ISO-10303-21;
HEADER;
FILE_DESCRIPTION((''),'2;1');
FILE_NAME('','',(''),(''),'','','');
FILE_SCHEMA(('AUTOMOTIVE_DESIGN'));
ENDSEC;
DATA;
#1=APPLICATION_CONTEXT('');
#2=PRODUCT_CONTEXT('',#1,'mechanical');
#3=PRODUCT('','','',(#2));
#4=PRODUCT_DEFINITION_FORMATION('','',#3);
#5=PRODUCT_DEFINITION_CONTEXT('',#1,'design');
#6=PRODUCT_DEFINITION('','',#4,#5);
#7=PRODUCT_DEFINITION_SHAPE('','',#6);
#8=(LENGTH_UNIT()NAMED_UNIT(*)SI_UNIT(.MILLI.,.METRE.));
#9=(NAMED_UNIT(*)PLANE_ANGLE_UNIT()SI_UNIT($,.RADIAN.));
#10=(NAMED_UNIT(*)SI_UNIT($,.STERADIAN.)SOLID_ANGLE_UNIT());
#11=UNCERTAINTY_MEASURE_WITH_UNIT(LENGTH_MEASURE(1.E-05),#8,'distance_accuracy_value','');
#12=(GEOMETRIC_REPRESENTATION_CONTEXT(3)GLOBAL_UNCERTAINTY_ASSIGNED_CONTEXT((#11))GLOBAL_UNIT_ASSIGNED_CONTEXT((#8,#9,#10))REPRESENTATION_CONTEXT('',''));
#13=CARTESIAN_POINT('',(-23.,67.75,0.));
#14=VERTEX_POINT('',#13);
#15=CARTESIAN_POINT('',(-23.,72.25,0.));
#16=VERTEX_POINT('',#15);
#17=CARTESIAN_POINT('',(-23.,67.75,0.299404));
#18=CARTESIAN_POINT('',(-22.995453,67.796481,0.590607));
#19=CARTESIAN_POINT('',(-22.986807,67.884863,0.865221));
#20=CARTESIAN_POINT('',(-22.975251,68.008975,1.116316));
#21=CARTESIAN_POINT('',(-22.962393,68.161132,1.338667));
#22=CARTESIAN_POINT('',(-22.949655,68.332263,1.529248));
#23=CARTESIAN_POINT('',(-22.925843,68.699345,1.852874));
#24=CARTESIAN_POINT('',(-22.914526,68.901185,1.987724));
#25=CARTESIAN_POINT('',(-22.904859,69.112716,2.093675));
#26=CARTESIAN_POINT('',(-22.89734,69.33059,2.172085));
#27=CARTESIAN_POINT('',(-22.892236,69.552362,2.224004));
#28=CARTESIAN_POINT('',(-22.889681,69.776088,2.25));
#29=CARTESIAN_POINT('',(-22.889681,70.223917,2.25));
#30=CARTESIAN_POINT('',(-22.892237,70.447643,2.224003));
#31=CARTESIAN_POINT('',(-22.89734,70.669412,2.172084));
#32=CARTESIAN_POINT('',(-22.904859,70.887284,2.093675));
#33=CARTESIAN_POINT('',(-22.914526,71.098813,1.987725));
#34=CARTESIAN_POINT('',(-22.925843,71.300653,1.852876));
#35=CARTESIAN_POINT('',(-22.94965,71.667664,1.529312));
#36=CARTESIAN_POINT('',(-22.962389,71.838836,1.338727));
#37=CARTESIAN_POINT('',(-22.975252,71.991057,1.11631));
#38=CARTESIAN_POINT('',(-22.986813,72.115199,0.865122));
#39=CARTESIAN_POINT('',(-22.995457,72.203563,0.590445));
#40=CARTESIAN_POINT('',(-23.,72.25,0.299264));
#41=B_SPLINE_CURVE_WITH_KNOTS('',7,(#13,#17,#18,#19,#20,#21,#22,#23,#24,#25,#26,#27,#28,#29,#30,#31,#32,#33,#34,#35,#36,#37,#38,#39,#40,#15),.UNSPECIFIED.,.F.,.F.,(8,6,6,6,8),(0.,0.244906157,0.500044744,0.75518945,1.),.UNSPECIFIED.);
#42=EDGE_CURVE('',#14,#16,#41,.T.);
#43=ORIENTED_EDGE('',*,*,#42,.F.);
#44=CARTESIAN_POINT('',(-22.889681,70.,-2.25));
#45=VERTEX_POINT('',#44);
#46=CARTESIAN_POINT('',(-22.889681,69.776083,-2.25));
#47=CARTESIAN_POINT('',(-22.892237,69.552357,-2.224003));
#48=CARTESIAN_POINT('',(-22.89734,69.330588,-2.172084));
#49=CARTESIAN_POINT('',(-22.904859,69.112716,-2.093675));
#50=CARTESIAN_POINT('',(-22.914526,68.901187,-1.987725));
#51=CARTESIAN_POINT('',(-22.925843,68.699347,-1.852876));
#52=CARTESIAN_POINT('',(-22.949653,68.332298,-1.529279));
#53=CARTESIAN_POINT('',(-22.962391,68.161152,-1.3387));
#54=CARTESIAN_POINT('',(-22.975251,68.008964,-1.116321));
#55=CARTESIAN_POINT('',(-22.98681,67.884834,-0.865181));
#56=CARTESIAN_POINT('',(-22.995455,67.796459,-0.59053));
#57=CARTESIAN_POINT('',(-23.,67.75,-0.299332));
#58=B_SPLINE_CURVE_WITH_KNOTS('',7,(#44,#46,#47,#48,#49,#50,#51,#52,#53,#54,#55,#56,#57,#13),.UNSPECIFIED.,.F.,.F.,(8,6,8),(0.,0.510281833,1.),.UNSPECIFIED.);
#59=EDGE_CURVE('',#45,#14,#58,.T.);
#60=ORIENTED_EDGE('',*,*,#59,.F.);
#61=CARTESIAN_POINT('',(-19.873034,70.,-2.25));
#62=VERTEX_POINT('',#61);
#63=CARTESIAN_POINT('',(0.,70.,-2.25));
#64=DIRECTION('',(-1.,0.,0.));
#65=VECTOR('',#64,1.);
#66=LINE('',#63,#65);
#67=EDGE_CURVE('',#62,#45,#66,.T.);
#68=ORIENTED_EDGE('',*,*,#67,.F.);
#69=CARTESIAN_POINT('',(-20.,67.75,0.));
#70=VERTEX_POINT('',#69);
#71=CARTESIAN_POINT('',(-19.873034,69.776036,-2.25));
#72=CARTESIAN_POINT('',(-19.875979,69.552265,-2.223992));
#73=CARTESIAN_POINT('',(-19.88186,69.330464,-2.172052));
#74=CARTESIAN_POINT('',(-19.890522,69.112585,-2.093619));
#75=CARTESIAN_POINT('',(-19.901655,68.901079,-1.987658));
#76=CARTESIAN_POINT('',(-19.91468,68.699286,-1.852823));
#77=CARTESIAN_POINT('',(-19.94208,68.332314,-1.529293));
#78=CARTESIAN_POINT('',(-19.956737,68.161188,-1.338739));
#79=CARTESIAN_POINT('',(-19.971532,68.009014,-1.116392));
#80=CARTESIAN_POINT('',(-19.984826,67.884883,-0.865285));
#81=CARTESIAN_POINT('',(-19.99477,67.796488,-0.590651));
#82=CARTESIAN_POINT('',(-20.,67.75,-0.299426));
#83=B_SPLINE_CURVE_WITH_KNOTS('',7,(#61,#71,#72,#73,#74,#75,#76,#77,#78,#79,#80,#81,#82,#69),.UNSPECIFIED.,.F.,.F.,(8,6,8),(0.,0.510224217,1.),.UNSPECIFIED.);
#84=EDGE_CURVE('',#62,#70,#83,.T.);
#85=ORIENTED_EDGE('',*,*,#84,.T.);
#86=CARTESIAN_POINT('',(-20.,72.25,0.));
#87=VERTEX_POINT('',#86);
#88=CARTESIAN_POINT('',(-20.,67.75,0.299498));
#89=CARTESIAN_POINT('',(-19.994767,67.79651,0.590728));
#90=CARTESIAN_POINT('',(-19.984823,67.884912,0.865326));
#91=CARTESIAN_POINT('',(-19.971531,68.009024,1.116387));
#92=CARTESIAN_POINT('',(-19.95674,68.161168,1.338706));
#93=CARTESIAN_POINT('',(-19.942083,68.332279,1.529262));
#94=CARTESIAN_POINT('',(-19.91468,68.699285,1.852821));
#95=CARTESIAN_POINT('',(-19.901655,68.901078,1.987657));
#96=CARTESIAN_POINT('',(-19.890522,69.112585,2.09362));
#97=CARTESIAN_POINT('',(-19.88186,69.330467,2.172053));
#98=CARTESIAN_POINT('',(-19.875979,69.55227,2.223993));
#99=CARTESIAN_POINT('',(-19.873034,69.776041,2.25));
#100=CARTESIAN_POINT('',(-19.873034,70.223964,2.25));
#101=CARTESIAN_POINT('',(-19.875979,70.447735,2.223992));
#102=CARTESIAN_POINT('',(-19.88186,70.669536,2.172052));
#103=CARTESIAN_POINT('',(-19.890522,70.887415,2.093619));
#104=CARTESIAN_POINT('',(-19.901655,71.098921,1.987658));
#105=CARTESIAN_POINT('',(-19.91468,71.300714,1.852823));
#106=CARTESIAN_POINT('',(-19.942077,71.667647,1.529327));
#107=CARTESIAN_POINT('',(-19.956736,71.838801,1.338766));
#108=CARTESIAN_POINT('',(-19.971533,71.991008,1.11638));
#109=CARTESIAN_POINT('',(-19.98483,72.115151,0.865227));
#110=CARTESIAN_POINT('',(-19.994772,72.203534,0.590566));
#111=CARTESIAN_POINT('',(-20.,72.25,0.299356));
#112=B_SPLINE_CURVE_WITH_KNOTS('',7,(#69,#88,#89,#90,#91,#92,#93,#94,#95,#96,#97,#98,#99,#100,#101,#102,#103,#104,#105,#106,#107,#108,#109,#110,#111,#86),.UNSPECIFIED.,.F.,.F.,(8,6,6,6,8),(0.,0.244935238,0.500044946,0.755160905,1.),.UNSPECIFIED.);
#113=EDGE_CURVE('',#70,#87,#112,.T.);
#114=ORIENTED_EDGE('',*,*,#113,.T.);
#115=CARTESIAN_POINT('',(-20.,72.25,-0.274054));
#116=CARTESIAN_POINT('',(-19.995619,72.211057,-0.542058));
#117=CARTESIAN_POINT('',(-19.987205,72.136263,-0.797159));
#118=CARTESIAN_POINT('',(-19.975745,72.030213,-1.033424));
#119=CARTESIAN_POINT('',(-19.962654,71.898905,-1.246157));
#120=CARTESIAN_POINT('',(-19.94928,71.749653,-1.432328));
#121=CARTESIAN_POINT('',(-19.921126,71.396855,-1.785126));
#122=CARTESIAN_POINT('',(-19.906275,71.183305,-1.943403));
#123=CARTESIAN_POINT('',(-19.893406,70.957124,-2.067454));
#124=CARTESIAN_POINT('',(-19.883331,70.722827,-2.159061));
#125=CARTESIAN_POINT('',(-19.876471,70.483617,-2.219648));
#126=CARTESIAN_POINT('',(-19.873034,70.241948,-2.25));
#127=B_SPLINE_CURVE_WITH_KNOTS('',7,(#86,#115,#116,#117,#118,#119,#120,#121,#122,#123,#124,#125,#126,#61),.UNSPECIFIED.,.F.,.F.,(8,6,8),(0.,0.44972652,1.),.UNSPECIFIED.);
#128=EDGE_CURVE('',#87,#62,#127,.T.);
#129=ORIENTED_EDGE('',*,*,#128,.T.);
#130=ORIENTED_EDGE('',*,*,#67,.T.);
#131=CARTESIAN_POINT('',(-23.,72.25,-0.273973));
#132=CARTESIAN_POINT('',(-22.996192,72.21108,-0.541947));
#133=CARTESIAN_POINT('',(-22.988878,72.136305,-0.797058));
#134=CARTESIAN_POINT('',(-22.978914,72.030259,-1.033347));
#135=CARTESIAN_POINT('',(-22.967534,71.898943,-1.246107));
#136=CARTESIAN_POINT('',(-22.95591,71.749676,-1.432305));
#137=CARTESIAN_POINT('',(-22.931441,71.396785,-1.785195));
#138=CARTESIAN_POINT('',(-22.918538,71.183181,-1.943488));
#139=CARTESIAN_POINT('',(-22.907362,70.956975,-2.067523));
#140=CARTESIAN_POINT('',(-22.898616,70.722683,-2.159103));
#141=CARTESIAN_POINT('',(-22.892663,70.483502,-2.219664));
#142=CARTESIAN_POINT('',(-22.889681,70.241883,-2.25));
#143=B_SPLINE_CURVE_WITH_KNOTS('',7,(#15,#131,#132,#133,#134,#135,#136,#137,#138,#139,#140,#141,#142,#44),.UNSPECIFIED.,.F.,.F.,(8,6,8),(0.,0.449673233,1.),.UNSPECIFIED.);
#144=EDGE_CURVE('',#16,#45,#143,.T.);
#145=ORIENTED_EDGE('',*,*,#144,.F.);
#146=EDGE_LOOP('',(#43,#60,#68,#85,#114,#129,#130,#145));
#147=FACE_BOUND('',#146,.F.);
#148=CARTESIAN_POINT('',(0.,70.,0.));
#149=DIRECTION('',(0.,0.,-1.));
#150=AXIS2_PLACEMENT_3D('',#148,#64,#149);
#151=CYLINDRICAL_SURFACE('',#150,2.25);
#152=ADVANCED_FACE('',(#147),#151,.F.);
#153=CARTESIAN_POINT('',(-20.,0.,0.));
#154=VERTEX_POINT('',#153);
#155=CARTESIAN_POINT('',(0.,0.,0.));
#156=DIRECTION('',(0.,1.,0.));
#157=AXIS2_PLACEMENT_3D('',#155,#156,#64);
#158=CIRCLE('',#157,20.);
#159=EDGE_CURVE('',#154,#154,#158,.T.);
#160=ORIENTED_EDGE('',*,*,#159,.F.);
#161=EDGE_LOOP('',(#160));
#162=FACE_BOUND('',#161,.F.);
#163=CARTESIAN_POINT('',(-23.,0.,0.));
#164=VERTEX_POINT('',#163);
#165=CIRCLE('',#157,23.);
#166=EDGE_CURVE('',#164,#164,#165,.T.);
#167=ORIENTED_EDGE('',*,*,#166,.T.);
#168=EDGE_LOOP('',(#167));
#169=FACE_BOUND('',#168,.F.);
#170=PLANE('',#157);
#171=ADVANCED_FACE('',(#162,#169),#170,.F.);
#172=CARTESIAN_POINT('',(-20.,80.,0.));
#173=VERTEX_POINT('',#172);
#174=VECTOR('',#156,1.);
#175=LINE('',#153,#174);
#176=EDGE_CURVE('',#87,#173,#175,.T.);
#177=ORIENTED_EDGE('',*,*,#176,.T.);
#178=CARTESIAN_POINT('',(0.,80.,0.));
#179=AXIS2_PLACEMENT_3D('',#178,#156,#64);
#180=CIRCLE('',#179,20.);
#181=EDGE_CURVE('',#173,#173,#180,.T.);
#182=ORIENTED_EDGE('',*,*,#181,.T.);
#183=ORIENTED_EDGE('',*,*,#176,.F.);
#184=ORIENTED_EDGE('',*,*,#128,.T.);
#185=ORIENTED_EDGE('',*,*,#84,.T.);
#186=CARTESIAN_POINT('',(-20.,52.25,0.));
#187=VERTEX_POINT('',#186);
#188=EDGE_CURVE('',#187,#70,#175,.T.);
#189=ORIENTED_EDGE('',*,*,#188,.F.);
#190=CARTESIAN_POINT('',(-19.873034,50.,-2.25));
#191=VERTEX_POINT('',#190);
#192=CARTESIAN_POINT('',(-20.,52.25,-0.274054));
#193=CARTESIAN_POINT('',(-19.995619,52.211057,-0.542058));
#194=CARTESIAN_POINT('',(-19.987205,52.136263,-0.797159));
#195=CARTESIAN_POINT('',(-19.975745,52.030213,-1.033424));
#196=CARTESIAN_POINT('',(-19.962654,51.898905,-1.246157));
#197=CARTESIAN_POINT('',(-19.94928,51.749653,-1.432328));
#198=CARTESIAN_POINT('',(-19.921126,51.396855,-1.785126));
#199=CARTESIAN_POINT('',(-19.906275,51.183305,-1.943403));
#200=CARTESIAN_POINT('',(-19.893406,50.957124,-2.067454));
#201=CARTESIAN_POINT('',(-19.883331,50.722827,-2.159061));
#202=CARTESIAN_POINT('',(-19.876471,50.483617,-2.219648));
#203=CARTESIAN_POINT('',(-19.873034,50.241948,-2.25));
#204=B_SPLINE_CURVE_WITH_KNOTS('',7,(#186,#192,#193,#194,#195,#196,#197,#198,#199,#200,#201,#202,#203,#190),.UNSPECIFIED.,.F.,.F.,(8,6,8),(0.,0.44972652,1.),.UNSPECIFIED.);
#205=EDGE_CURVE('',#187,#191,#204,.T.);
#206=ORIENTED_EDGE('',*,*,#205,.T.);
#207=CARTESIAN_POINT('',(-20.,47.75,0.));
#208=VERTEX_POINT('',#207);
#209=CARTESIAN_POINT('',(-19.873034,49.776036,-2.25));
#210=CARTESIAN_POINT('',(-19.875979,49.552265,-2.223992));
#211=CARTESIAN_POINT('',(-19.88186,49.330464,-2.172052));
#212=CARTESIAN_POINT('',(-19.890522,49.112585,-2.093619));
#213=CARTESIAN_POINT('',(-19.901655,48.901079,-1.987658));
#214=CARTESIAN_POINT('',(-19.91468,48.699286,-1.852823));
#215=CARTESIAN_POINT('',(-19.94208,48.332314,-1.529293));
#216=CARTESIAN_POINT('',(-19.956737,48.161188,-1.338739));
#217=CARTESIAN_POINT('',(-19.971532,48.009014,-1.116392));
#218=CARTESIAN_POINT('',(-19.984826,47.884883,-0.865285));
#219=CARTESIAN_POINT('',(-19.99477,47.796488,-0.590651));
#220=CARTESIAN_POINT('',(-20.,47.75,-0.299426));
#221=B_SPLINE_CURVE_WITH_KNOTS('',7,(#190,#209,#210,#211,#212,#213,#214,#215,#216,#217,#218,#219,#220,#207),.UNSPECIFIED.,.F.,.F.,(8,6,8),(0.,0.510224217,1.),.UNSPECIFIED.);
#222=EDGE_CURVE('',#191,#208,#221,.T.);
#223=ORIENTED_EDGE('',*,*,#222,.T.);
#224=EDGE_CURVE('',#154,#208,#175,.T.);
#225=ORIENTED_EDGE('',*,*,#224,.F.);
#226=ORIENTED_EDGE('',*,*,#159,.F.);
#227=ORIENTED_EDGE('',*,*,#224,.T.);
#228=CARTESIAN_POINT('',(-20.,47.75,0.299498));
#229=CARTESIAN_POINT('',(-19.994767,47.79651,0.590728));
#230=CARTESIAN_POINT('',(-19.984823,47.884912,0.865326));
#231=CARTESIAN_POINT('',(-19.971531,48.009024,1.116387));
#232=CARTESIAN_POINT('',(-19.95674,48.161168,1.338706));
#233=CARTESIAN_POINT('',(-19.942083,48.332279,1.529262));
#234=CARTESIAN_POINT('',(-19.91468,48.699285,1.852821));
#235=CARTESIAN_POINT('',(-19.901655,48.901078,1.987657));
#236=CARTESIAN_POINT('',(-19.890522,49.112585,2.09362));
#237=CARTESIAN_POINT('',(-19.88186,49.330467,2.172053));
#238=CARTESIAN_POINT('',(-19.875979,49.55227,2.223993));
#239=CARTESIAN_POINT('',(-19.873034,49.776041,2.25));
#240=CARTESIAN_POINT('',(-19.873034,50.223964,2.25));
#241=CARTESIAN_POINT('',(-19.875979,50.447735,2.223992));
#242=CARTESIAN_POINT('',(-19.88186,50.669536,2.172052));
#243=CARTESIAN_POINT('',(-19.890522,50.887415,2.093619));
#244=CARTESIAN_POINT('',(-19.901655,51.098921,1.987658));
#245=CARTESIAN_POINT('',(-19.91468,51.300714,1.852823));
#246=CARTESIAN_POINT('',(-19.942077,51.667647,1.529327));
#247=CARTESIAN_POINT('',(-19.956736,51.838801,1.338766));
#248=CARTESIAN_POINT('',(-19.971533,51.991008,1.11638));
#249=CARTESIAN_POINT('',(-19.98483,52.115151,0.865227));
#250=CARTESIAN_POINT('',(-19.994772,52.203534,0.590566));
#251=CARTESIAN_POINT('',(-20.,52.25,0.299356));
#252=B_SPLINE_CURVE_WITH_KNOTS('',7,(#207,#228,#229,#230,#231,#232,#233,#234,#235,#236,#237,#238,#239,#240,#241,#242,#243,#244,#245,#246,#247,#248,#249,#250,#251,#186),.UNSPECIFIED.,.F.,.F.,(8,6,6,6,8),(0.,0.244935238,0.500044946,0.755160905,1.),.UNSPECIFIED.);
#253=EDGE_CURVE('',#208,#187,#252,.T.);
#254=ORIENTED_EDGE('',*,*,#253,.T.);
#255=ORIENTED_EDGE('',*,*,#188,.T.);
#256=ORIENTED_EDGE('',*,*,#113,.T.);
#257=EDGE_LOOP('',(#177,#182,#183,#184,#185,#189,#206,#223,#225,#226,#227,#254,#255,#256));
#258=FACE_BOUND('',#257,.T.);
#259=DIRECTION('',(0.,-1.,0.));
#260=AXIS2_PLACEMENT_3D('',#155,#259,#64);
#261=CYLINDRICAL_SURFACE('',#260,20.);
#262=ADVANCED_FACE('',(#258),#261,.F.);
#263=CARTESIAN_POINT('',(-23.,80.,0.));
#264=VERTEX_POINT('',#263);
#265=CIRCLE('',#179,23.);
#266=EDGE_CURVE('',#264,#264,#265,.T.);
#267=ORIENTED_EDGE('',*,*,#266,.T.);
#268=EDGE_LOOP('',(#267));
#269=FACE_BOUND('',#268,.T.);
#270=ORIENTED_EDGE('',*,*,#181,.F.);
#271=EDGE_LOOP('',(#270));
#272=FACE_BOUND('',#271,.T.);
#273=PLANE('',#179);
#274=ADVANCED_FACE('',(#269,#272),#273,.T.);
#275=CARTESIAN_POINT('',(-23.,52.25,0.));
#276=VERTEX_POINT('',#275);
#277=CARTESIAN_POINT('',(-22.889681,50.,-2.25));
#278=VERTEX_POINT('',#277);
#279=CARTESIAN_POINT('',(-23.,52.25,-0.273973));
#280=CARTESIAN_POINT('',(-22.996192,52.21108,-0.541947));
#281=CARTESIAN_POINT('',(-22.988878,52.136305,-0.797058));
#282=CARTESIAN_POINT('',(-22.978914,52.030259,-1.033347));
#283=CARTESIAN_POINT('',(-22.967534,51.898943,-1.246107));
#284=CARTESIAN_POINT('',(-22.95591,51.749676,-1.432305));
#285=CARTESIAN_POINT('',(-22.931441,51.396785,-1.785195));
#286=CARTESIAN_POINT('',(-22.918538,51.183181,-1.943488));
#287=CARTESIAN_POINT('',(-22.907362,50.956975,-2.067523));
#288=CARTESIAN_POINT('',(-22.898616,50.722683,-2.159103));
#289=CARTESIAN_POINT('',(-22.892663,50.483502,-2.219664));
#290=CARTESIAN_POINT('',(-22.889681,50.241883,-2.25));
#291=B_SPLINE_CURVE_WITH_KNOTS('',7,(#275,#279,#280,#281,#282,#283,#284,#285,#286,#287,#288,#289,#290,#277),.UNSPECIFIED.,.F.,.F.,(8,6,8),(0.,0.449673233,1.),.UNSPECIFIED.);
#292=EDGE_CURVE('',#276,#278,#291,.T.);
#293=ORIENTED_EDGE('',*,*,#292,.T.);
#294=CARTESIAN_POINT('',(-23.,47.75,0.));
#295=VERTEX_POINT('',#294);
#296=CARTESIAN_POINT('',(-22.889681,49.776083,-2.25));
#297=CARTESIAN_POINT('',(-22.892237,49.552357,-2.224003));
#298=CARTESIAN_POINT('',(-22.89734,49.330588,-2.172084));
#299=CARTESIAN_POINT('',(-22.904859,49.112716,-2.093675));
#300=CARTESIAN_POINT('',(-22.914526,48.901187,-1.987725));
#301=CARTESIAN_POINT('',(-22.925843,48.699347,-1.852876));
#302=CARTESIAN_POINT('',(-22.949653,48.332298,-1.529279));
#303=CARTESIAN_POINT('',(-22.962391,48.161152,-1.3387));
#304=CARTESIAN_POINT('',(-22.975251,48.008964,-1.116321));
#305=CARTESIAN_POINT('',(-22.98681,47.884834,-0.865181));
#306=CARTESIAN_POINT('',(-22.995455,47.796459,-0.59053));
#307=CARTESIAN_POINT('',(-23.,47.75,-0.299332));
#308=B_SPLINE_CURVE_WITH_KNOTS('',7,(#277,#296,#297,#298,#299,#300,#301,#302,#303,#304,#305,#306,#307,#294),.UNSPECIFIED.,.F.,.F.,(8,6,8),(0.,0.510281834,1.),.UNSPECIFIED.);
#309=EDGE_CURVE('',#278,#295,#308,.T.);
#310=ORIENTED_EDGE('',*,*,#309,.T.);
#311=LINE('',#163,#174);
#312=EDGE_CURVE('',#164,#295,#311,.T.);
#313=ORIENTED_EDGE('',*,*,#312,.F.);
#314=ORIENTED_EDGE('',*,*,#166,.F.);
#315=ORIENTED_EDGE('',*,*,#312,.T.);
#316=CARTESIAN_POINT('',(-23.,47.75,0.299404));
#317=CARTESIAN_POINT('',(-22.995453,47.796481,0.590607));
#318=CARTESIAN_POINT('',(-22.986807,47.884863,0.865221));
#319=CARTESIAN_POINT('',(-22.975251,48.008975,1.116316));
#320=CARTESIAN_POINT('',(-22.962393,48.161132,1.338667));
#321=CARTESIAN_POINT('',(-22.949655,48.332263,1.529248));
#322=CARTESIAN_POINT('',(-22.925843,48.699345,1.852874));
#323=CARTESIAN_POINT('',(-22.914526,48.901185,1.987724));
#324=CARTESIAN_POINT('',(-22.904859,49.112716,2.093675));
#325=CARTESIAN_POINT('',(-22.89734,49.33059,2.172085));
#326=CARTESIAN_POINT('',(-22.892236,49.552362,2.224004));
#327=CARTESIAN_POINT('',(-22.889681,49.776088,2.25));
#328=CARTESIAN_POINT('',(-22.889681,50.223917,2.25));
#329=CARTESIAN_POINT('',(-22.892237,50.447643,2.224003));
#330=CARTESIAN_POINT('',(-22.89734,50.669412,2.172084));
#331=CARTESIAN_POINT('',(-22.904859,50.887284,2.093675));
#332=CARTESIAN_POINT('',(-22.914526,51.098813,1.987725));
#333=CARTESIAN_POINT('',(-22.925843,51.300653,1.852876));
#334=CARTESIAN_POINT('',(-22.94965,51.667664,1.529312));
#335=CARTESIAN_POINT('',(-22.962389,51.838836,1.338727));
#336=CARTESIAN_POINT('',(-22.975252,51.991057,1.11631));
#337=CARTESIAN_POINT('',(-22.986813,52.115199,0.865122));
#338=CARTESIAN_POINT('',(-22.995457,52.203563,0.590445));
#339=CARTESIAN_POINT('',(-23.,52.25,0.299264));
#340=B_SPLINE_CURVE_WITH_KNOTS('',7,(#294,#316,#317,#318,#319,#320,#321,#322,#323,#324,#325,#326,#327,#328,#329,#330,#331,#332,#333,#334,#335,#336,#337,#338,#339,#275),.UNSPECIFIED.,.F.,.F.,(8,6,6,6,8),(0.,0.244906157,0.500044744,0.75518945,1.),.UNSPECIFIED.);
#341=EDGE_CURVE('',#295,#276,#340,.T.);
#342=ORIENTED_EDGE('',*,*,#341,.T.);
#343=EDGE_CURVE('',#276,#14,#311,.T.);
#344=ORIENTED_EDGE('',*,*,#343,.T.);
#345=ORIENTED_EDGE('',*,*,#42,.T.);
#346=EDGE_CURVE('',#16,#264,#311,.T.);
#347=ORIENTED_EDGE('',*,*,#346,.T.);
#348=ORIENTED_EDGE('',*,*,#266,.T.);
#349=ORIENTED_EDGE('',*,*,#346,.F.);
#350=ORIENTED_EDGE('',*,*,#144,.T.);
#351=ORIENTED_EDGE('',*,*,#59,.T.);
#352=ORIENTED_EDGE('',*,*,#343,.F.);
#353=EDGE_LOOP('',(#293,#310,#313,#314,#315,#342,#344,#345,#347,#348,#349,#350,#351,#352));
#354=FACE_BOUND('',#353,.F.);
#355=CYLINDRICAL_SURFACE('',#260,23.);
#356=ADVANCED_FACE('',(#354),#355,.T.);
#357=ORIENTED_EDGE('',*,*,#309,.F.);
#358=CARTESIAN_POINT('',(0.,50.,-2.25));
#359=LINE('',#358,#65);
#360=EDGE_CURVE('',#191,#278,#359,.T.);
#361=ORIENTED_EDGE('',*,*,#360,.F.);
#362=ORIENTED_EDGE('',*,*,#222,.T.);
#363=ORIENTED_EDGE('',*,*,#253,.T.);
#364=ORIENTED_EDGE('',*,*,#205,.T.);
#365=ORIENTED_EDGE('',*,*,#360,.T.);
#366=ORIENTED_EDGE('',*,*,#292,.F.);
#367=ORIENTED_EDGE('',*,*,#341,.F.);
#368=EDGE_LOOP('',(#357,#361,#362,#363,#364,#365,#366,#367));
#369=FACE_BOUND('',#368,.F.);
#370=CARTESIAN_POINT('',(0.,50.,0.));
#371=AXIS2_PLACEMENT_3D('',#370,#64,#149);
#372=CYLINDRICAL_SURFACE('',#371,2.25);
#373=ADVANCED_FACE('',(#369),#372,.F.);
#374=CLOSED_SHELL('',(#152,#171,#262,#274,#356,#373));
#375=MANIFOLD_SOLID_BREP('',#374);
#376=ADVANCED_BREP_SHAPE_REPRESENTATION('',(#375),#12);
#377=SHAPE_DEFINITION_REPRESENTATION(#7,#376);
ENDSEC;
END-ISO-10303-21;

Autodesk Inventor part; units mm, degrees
ref_plane "YZ Plane" through (0, 0, 0) normal (1, 0, 0) x (0, 1, 0)
ref_plane "XZ Plane" through (0, 0, 0) normal (0, 1, 0) x (-1, 0, 0)
ref_plane "XY Plane" through (0, 0, 0) normal (0, 0, 1) x (1, 0, 0)
sketch "Sketch1" plane through (0, 0, 0) normal (0, 1, 0) x (-1, 0, 0)
  circle A0 centre (0, 0) radius 23
  circle A1 centre (0, 0) radius 20
  dimension "d0" = 3
  dimension "d1" = 40
extrude "Extrusion1" add sketch "Sketch1" along normal blind 80
sketch "Sketch4" plane through (0, 0, 0) normal (1, 0, 0) x (0, 1, 0)
  line L0 (80, -23) -> (80, 23) projected
  line L1 (-8, 0) -> (48, 0) projected
  point P0 (0, 0)
  point P1 (70, 0)
  point P2 (50, 0)
  dimension "d18" = 20
  dimension "d19" = 10
hole "Hole2" at (0, 70, 0) at (0, 50, 0) direction (-1, 0, 0) diameter 4.5 end through all clearance for "Socket Head Cap Screw" size "M4" standard "Ansi Metric M Profile"
properties part number "Selection_Exit Pipe Long" material "PVC-Piping"
